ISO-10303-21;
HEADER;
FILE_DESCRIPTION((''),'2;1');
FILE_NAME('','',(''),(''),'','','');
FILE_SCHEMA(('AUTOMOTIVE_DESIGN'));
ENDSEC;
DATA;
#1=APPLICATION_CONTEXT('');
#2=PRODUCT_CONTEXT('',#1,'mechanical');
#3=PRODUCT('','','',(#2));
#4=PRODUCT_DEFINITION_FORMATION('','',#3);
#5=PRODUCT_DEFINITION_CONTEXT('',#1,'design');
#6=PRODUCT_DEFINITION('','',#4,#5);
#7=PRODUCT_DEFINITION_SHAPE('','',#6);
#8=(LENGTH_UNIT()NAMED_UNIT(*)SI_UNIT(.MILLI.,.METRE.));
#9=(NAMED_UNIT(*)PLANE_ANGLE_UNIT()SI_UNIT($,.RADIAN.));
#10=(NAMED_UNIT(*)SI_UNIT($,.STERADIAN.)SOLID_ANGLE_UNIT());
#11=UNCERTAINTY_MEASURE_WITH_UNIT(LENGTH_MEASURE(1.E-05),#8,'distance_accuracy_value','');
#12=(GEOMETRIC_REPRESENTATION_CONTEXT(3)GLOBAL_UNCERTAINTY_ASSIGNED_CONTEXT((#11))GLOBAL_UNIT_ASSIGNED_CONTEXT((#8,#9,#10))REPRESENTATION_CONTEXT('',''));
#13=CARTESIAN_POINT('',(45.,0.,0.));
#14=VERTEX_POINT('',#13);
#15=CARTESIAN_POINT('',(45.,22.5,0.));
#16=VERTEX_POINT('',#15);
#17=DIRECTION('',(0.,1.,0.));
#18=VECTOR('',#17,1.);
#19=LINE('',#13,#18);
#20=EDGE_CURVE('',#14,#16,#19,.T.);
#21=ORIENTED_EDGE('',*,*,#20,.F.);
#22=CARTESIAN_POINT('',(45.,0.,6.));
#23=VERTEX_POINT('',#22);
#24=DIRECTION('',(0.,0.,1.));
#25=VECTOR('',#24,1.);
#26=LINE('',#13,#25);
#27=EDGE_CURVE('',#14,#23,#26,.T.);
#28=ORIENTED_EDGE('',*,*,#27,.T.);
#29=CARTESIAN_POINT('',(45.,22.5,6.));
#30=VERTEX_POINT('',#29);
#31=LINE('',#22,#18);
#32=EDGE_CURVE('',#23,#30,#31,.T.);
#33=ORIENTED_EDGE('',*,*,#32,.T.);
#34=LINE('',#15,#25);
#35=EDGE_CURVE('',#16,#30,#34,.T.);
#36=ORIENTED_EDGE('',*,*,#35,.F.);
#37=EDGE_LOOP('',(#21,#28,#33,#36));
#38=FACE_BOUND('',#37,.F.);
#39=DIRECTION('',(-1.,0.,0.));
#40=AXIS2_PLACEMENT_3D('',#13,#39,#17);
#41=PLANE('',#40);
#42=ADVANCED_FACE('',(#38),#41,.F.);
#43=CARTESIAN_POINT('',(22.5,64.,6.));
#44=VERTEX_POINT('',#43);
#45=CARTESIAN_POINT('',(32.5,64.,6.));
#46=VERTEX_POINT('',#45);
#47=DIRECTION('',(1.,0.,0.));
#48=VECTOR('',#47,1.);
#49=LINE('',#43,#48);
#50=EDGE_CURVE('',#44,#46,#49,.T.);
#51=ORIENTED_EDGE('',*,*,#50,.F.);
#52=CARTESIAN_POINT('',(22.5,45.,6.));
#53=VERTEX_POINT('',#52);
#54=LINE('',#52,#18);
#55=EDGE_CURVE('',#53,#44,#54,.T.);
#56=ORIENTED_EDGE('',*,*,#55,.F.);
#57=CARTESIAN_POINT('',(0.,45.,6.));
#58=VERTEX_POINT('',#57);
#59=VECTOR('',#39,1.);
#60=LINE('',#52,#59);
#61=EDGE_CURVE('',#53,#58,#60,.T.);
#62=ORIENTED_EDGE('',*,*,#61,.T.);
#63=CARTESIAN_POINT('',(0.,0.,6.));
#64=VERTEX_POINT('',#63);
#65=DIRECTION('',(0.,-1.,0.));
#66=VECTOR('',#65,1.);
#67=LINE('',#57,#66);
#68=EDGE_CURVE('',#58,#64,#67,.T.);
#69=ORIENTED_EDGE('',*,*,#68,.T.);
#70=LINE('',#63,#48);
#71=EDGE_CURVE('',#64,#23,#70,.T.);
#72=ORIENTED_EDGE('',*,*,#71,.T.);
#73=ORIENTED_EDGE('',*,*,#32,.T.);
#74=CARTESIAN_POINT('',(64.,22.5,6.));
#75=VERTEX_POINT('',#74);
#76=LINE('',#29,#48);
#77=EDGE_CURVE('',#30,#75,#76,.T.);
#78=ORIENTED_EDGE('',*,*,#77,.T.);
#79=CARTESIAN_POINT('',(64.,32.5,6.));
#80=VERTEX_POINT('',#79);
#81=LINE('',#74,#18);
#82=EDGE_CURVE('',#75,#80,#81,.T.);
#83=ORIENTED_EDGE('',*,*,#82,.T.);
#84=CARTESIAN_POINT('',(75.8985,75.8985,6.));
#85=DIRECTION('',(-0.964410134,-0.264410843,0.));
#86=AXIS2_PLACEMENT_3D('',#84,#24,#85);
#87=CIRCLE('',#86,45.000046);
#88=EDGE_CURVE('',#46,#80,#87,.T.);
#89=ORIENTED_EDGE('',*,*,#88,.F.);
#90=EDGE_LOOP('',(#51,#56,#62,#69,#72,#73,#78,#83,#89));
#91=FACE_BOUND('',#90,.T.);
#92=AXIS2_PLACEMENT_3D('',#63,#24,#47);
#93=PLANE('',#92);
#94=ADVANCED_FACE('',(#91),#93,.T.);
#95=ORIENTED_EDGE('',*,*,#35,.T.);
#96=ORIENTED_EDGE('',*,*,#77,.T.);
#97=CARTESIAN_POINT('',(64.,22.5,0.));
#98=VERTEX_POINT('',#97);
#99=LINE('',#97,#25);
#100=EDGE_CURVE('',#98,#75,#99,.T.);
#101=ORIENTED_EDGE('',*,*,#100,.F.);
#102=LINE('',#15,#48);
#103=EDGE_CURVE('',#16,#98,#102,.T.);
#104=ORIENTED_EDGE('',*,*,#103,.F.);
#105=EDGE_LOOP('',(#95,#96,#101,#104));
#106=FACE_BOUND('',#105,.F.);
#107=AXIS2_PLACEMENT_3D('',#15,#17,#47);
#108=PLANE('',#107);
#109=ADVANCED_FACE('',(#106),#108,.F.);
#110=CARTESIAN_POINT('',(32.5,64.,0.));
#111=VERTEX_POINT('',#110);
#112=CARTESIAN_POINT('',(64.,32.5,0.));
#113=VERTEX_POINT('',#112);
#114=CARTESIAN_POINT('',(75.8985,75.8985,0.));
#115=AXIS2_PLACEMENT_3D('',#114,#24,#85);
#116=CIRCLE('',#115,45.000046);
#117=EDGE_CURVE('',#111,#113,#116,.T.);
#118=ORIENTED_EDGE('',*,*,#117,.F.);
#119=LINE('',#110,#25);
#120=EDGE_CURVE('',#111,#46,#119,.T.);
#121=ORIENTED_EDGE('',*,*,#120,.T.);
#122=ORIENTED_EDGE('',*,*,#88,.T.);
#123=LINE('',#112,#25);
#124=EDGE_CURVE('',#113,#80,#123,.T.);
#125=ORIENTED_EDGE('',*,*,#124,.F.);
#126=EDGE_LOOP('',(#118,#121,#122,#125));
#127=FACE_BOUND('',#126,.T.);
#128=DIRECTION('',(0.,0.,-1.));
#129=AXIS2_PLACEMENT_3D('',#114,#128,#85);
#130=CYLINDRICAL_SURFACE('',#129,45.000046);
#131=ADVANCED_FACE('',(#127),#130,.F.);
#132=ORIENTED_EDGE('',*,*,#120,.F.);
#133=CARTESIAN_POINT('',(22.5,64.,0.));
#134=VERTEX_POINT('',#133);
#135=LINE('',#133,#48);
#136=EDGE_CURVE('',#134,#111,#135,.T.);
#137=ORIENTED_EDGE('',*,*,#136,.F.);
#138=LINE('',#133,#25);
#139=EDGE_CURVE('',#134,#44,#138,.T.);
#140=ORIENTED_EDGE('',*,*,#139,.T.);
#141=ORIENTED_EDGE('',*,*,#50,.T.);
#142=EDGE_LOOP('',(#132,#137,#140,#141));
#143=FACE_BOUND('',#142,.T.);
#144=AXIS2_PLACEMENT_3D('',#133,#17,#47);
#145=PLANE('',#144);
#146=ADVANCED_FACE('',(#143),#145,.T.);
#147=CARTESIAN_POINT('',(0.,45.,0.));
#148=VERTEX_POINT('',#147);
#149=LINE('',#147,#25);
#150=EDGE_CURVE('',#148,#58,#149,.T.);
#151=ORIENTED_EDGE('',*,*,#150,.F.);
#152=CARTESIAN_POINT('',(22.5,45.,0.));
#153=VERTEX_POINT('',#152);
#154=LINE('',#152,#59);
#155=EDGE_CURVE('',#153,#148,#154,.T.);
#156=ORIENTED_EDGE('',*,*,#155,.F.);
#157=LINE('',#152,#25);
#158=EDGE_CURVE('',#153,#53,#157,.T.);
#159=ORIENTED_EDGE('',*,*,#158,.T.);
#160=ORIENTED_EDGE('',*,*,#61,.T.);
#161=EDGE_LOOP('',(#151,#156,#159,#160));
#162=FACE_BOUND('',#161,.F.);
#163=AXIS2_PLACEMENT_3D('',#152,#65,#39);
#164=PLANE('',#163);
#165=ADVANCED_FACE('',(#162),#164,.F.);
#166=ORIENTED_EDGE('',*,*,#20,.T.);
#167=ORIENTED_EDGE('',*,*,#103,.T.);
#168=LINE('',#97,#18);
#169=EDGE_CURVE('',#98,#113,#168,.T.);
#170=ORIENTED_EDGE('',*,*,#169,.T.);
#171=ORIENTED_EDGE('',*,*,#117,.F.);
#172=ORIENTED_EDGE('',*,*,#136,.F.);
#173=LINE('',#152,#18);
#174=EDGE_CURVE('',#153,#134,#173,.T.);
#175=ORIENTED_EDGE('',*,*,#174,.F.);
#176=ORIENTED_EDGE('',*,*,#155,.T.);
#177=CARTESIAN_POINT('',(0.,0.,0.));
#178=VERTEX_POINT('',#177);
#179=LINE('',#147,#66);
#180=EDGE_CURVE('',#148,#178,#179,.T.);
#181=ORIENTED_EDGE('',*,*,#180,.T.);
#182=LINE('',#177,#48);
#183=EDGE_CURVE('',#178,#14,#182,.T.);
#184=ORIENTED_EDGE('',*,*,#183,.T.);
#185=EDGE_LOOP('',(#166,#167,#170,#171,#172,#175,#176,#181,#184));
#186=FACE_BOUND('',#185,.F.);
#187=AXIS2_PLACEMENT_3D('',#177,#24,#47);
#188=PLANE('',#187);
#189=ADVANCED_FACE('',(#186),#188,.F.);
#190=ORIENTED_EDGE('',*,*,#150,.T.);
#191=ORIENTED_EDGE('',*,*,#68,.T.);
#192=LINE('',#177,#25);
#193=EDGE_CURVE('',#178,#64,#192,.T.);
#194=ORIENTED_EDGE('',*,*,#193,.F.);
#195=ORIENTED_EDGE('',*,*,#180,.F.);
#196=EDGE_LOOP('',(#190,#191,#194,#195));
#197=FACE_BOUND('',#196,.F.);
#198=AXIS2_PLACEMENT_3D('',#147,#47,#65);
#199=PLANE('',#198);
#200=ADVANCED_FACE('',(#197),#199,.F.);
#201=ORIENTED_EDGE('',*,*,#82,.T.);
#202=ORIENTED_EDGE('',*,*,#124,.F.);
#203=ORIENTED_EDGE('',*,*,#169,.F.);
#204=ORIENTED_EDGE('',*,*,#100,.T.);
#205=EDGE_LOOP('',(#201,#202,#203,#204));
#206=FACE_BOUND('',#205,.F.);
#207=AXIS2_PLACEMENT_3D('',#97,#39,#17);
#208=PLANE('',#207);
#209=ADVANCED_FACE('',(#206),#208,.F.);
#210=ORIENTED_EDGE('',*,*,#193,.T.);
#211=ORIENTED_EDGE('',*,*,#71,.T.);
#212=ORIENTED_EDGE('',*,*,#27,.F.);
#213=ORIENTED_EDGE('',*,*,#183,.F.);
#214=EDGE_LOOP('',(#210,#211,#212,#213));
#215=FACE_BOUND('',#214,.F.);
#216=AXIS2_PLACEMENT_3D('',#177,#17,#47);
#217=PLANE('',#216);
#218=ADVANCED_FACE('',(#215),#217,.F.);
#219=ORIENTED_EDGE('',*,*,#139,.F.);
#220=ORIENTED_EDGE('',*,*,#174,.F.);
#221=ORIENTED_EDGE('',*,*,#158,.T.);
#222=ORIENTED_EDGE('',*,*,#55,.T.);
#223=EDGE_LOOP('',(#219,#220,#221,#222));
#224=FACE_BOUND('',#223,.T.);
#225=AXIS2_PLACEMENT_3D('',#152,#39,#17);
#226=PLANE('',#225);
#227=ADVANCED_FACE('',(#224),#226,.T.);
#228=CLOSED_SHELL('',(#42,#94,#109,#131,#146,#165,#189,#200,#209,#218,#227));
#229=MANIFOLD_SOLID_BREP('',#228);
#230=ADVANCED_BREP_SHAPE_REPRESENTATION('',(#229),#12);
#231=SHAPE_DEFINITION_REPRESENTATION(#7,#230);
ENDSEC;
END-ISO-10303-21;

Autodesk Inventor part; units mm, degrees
ref_plane "YZ Plane" through (0, 0, 0) normal (1, 0, 0) x (0, 1, 0)
ref_plane "XZ Plane" through (0, 0, 0) normal (0, 1, 0) x (-1, 0, 0)
ref_plane "XY Plane" through (0, 0, 0) normal (0, 0, 1) x (1, 0, 0)
sketch "Szkic1" plane through (0, 0, 0) normal (0, 0, 1) x (1, 0, 0)
  line L0 (0, 0) -> (45, 0) construction
  line L1 (45, 0) -> (45, 45) construction
  line L2 (45, 45) -> (0, 45) construction
  line L3 (0, 45) -> (0, 0) construction
  line L4 (0, 45) -> (22.5, 45) construction
  line L5 (45, 0) -> (45, 22.5) construction
  line L6 (22.5, 45) -> (0, 45)
  line L7 (0, 45) -> (0, 0)
  line L8 (0, 0) -> (45, 0)
  line L9 (45, 0) -> (45, 22.5)
  line L10 (22.5, 45) -> (22.5, 64)
  line L11 (45, 22.5) -> (64, 22.5)
  line L12 (22.5, 64) -> (32.5, 64)
  line L13 (64, 22.5) -> (64, 32.5)
  arc A0 (32.5, 64) -> (64, 32.5) centre (75.8985, 75.8985) ccw
  dimension "d0" = 45
  dimension "d1" = 45
  dimension "d2" = 22.5
  dimension "d3" = 19
  dimension "d4" = 19
  dimension "d5" = 10
  dimension "d6" = 10
  dimension "d7" = 45
extrude "Wyciągnięcie proste1" add sketch "Szkic1" along normal blind 6
equation "\"d0\" = d1"
equation "\"d3\" = d4"
equation "\"d5\" = d6"
properties part number "zamek_II_boki"
